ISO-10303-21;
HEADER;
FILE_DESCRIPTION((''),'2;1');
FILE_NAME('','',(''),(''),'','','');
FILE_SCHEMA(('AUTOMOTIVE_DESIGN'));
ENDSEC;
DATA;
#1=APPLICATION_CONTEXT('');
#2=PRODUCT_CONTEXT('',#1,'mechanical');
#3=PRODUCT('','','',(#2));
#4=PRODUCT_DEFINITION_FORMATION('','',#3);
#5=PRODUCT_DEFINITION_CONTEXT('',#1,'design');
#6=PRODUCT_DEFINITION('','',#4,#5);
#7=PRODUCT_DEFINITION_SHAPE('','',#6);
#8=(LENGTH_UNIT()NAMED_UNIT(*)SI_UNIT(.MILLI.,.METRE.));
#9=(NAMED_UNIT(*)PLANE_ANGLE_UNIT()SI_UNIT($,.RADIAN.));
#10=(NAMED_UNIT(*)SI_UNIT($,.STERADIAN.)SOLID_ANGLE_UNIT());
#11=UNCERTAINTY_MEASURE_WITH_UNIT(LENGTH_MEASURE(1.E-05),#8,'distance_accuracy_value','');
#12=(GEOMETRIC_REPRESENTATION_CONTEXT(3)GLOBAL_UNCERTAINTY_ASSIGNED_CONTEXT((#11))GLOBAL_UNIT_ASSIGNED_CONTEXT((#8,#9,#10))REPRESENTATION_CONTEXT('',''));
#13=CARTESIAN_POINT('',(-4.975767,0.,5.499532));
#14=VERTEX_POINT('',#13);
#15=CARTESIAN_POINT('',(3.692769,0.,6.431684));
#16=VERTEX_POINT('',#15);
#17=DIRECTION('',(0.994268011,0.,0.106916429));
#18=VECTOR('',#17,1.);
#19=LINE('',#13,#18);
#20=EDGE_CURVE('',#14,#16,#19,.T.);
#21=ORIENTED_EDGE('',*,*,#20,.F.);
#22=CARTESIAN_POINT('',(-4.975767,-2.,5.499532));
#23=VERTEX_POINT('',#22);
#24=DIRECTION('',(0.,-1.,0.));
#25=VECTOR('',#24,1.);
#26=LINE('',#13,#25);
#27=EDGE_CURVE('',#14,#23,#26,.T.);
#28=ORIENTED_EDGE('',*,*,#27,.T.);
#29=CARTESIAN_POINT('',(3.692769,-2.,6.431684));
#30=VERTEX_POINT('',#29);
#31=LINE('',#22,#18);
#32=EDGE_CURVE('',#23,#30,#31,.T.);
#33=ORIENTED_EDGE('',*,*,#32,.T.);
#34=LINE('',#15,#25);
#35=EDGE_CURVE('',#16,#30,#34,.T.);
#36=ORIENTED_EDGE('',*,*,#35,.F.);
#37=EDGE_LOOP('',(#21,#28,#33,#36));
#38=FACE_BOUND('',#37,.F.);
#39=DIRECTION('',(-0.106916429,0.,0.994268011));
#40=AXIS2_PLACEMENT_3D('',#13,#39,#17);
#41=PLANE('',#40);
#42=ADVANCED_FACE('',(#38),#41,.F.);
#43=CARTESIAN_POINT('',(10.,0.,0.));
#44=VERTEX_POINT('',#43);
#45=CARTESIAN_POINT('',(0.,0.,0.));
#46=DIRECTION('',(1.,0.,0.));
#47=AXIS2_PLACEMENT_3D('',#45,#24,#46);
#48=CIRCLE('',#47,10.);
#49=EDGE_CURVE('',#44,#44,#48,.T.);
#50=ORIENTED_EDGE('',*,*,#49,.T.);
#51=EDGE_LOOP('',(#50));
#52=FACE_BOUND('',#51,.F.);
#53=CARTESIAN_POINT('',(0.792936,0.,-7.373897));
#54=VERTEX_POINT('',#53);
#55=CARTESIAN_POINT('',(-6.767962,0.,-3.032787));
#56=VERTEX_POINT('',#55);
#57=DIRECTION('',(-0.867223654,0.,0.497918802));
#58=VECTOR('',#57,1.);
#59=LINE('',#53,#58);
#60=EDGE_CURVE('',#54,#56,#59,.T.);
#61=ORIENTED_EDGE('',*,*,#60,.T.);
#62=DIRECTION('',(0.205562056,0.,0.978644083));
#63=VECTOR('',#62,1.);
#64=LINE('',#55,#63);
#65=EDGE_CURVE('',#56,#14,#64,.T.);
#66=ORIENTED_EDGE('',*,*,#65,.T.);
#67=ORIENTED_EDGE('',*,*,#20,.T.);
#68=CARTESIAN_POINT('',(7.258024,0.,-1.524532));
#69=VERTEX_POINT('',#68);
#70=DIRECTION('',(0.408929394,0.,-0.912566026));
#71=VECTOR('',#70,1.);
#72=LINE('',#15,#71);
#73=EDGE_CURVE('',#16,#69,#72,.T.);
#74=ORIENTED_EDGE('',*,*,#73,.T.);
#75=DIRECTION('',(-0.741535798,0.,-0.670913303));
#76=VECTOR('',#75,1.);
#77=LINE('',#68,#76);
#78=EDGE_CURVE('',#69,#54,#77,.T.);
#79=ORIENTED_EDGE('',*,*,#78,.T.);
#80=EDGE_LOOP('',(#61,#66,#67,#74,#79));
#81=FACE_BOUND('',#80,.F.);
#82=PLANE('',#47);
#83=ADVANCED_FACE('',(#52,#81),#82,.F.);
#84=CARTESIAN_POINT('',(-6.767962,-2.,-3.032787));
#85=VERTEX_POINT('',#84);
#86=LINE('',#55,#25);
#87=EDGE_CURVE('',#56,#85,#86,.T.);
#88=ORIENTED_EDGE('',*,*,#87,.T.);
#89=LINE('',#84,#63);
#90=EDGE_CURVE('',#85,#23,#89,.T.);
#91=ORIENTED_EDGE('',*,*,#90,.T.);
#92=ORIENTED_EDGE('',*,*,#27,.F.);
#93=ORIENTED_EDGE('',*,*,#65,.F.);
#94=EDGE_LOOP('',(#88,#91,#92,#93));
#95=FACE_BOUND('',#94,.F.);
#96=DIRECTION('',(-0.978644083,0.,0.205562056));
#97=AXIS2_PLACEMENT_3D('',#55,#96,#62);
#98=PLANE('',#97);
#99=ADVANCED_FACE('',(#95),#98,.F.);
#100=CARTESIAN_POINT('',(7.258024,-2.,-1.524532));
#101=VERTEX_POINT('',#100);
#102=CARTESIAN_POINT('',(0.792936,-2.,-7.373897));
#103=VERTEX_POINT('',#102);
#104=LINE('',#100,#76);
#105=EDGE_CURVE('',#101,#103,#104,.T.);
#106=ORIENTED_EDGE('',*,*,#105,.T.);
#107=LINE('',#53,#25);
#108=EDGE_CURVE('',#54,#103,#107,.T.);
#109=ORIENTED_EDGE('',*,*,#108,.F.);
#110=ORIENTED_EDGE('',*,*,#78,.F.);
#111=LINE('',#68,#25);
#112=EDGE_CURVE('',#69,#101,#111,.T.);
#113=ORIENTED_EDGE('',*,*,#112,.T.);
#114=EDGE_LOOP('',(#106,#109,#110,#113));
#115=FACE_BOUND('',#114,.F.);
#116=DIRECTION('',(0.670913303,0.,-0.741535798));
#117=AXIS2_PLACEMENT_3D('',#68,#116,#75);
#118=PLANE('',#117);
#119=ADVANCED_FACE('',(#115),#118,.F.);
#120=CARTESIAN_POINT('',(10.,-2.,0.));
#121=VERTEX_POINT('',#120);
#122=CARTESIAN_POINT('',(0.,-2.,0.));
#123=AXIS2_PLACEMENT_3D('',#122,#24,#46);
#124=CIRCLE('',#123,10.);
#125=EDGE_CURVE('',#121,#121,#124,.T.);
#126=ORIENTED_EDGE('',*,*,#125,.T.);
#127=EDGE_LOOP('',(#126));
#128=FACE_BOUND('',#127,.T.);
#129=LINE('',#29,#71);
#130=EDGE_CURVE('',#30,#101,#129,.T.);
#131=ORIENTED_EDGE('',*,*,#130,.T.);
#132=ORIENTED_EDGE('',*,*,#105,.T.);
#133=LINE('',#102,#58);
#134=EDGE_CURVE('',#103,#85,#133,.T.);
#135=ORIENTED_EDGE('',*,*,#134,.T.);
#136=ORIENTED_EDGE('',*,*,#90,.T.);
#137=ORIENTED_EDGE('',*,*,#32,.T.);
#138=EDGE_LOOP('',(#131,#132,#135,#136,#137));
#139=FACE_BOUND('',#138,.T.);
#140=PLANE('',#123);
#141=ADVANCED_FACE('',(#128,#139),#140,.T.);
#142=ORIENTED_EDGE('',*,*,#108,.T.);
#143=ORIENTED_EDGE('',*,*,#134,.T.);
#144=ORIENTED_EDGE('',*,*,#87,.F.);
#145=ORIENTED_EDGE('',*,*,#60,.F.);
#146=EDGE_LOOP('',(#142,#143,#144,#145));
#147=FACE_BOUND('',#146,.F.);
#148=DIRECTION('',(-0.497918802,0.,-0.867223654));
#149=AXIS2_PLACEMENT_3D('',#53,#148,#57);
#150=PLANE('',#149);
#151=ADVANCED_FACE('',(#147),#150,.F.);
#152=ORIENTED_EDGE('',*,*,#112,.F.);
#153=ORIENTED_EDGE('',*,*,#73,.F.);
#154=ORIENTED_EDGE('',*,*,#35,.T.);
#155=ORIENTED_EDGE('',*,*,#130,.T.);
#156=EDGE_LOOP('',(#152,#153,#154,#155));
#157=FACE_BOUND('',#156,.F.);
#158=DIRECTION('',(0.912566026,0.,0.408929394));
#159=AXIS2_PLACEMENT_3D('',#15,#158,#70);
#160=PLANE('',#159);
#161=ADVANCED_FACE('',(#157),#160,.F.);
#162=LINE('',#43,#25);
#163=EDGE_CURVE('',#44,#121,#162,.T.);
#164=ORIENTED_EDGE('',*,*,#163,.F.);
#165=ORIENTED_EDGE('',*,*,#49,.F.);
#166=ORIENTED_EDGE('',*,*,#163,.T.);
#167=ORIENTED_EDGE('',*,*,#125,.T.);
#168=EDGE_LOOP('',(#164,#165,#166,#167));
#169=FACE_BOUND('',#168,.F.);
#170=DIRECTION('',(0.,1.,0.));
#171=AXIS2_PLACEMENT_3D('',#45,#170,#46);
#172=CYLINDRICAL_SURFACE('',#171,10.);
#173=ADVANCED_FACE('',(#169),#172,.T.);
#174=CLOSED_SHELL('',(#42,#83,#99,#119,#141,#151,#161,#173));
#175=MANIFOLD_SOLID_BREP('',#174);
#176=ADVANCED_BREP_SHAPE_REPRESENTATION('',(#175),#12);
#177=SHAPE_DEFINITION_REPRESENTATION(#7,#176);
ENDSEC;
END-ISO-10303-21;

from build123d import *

# Parameters (mm, degrees)
F0_R     = 10
F1_DEPTH = 2


with BuildPart() as f1:
    # F0 (on Front) → F1 (new body)
    with BuildSketch(Plane.XZ):
        Circle(F0_R)
        Polygon((3.692769, 6.431684), (7.258024, -1.524532), (0.792936, -7.373897), (-6.767962, -3.032787), (-4.975767, 5.499532), align=None, mode=Mode.SUBTRACT)
    extrude(amount=F1_DEPTH)


solid = f1.part
